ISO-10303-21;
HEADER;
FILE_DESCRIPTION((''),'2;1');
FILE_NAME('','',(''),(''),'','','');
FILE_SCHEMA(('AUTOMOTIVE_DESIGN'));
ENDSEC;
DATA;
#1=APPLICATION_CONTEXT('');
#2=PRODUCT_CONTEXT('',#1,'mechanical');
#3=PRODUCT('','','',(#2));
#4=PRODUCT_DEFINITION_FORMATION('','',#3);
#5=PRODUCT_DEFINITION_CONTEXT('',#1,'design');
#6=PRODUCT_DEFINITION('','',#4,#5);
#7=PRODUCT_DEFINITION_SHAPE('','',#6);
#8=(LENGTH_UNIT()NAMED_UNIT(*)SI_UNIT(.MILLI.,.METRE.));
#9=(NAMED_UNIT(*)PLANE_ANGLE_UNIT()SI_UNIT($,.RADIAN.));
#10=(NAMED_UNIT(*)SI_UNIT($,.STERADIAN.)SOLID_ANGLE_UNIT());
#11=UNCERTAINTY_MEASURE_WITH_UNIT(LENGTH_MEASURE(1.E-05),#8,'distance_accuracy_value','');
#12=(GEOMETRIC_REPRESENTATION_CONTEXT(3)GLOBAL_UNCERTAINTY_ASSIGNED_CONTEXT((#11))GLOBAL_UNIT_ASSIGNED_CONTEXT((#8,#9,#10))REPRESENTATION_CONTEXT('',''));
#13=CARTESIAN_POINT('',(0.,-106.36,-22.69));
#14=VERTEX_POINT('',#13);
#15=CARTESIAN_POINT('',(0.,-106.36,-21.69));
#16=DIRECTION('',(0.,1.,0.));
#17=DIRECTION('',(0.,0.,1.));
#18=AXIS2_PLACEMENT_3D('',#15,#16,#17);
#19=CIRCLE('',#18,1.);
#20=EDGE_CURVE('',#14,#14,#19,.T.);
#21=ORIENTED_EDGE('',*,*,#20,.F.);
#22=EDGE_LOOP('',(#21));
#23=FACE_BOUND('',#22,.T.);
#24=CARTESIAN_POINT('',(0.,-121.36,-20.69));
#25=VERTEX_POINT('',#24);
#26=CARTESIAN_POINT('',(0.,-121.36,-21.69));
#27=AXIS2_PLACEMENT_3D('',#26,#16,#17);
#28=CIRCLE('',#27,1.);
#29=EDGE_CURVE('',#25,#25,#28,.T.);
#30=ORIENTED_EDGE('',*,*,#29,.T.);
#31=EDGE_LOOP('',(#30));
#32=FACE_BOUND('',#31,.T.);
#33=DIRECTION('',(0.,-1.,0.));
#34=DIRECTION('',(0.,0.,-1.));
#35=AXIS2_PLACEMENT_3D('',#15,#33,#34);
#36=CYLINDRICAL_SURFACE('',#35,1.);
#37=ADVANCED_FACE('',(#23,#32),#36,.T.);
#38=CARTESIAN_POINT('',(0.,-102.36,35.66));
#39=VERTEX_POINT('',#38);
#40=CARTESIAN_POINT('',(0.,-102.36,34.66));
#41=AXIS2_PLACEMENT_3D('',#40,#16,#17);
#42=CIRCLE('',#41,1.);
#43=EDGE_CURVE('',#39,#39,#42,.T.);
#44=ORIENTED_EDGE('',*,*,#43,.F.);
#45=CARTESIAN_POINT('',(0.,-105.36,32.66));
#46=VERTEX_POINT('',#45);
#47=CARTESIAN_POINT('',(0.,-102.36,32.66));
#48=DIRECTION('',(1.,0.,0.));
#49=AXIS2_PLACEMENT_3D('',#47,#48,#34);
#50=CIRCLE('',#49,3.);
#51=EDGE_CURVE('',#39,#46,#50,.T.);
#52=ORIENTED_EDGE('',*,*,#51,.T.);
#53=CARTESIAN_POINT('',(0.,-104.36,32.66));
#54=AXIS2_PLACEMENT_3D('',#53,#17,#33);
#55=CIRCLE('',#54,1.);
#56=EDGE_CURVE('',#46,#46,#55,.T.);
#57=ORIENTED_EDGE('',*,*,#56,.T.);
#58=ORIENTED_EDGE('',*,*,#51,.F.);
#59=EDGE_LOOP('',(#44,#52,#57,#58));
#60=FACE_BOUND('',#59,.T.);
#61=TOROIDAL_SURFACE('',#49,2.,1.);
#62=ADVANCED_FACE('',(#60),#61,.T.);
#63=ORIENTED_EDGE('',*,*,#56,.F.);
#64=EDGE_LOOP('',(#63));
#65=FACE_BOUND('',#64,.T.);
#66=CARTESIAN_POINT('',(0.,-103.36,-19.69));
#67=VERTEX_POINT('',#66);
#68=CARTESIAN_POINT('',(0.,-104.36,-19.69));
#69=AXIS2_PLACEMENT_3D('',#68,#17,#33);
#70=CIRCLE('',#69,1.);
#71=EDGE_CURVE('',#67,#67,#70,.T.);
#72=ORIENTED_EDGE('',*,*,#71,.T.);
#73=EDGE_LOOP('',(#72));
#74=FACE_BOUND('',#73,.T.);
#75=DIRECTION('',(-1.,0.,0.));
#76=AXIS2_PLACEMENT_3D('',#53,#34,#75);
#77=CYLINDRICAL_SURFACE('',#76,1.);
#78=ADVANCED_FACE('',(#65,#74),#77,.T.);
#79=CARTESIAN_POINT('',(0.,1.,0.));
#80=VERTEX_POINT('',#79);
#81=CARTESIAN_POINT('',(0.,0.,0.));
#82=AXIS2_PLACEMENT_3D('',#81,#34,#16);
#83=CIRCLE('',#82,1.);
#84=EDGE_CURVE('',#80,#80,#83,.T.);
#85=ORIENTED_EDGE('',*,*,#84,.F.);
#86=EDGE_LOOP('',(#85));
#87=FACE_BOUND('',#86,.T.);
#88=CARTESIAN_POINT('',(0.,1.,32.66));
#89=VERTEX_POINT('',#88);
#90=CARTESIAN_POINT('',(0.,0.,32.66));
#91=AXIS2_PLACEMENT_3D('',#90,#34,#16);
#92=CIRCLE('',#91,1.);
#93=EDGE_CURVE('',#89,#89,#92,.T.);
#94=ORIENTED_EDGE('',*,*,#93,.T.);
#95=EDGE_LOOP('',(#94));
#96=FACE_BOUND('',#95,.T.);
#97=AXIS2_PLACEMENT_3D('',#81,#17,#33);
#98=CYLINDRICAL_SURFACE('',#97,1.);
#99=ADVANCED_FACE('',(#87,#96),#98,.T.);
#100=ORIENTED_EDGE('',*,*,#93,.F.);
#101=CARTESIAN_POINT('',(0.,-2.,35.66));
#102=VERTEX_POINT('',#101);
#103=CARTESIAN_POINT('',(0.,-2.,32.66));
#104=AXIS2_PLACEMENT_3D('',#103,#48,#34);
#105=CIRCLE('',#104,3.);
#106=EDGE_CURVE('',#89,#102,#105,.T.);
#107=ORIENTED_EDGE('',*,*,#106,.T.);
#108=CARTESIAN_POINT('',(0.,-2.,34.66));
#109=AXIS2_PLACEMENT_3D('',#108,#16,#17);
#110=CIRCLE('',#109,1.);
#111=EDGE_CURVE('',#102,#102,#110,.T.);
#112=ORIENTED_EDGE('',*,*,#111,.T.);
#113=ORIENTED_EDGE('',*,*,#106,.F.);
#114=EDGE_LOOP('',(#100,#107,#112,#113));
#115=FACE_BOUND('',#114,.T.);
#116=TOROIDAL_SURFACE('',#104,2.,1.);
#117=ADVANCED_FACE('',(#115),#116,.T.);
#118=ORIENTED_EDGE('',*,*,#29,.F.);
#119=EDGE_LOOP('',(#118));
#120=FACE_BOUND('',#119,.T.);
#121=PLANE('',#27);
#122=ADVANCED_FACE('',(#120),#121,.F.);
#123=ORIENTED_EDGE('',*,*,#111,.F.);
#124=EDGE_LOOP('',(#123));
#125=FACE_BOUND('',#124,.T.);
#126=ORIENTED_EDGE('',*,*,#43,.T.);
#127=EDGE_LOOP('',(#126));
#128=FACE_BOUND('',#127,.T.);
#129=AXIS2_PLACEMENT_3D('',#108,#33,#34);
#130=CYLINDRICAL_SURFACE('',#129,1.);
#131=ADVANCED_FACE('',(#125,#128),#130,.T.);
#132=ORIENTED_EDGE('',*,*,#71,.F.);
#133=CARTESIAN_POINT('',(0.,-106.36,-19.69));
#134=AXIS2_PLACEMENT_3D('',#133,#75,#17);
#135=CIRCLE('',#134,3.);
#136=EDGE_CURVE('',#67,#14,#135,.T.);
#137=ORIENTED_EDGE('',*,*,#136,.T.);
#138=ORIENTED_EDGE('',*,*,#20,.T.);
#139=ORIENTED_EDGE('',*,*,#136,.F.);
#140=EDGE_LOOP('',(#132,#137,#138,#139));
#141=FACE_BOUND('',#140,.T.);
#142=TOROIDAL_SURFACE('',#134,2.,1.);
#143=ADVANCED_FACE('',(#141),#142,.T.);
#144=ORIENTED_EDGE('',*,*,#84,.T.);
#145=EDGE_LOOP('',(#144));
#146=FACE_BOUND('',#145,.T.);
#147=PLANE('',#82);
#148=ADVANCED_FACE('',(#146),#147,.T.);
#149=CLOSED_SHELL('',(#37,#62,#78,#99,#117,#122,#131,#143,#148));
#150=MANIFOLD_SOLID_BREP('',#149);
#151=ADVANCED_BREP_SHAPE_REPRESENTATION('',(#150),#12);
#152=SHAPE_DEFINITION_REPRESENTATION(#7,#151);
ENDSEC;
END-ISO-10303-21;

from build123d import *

# Parameters (mm, degrees)
BARRER1_PROFILE_R = 1


with BuildPart() as part:
    # Barrer1: sweep along a path in Croquis1
    with BuildLine(Plane(origin=(0, 0, 0), x_dir=(0, 0, -1), z_dir=(1, 0, 0))) as barrer1_path:
        Line((0, 0), (-32.66, 0))
        ThreePointArc((-32.66, 0), (-34.074213562, -0.585786438), (-34.66, -2))
        Line((-34.66, -2), (-34.66, -102.36))
        ThreePointArc((-34.66, -102.36), (-34.074213562, -103.774213562), (-32.66, -104.36))
        Line((-32.66, -104.36), (19.69, -104.36))
        ThreePointArc((19.69, -104.36), (21.104213562, -104.945786438), (21.69, -106.36))
        Line((21.69, -106.36), (21.69, -121.36))
    # Barrer1 profile (on start of the path) → Barrer1 (sweep)
    with BuildSketch(Plane(origin=(0, 0, 0), x_dir=(0, 1, 0), z_dir=(0, 0, 1))):
        Circle(BARRER1_PROFILE_R)
    sweep(path=barrer1_path.line)


solid = part.part
